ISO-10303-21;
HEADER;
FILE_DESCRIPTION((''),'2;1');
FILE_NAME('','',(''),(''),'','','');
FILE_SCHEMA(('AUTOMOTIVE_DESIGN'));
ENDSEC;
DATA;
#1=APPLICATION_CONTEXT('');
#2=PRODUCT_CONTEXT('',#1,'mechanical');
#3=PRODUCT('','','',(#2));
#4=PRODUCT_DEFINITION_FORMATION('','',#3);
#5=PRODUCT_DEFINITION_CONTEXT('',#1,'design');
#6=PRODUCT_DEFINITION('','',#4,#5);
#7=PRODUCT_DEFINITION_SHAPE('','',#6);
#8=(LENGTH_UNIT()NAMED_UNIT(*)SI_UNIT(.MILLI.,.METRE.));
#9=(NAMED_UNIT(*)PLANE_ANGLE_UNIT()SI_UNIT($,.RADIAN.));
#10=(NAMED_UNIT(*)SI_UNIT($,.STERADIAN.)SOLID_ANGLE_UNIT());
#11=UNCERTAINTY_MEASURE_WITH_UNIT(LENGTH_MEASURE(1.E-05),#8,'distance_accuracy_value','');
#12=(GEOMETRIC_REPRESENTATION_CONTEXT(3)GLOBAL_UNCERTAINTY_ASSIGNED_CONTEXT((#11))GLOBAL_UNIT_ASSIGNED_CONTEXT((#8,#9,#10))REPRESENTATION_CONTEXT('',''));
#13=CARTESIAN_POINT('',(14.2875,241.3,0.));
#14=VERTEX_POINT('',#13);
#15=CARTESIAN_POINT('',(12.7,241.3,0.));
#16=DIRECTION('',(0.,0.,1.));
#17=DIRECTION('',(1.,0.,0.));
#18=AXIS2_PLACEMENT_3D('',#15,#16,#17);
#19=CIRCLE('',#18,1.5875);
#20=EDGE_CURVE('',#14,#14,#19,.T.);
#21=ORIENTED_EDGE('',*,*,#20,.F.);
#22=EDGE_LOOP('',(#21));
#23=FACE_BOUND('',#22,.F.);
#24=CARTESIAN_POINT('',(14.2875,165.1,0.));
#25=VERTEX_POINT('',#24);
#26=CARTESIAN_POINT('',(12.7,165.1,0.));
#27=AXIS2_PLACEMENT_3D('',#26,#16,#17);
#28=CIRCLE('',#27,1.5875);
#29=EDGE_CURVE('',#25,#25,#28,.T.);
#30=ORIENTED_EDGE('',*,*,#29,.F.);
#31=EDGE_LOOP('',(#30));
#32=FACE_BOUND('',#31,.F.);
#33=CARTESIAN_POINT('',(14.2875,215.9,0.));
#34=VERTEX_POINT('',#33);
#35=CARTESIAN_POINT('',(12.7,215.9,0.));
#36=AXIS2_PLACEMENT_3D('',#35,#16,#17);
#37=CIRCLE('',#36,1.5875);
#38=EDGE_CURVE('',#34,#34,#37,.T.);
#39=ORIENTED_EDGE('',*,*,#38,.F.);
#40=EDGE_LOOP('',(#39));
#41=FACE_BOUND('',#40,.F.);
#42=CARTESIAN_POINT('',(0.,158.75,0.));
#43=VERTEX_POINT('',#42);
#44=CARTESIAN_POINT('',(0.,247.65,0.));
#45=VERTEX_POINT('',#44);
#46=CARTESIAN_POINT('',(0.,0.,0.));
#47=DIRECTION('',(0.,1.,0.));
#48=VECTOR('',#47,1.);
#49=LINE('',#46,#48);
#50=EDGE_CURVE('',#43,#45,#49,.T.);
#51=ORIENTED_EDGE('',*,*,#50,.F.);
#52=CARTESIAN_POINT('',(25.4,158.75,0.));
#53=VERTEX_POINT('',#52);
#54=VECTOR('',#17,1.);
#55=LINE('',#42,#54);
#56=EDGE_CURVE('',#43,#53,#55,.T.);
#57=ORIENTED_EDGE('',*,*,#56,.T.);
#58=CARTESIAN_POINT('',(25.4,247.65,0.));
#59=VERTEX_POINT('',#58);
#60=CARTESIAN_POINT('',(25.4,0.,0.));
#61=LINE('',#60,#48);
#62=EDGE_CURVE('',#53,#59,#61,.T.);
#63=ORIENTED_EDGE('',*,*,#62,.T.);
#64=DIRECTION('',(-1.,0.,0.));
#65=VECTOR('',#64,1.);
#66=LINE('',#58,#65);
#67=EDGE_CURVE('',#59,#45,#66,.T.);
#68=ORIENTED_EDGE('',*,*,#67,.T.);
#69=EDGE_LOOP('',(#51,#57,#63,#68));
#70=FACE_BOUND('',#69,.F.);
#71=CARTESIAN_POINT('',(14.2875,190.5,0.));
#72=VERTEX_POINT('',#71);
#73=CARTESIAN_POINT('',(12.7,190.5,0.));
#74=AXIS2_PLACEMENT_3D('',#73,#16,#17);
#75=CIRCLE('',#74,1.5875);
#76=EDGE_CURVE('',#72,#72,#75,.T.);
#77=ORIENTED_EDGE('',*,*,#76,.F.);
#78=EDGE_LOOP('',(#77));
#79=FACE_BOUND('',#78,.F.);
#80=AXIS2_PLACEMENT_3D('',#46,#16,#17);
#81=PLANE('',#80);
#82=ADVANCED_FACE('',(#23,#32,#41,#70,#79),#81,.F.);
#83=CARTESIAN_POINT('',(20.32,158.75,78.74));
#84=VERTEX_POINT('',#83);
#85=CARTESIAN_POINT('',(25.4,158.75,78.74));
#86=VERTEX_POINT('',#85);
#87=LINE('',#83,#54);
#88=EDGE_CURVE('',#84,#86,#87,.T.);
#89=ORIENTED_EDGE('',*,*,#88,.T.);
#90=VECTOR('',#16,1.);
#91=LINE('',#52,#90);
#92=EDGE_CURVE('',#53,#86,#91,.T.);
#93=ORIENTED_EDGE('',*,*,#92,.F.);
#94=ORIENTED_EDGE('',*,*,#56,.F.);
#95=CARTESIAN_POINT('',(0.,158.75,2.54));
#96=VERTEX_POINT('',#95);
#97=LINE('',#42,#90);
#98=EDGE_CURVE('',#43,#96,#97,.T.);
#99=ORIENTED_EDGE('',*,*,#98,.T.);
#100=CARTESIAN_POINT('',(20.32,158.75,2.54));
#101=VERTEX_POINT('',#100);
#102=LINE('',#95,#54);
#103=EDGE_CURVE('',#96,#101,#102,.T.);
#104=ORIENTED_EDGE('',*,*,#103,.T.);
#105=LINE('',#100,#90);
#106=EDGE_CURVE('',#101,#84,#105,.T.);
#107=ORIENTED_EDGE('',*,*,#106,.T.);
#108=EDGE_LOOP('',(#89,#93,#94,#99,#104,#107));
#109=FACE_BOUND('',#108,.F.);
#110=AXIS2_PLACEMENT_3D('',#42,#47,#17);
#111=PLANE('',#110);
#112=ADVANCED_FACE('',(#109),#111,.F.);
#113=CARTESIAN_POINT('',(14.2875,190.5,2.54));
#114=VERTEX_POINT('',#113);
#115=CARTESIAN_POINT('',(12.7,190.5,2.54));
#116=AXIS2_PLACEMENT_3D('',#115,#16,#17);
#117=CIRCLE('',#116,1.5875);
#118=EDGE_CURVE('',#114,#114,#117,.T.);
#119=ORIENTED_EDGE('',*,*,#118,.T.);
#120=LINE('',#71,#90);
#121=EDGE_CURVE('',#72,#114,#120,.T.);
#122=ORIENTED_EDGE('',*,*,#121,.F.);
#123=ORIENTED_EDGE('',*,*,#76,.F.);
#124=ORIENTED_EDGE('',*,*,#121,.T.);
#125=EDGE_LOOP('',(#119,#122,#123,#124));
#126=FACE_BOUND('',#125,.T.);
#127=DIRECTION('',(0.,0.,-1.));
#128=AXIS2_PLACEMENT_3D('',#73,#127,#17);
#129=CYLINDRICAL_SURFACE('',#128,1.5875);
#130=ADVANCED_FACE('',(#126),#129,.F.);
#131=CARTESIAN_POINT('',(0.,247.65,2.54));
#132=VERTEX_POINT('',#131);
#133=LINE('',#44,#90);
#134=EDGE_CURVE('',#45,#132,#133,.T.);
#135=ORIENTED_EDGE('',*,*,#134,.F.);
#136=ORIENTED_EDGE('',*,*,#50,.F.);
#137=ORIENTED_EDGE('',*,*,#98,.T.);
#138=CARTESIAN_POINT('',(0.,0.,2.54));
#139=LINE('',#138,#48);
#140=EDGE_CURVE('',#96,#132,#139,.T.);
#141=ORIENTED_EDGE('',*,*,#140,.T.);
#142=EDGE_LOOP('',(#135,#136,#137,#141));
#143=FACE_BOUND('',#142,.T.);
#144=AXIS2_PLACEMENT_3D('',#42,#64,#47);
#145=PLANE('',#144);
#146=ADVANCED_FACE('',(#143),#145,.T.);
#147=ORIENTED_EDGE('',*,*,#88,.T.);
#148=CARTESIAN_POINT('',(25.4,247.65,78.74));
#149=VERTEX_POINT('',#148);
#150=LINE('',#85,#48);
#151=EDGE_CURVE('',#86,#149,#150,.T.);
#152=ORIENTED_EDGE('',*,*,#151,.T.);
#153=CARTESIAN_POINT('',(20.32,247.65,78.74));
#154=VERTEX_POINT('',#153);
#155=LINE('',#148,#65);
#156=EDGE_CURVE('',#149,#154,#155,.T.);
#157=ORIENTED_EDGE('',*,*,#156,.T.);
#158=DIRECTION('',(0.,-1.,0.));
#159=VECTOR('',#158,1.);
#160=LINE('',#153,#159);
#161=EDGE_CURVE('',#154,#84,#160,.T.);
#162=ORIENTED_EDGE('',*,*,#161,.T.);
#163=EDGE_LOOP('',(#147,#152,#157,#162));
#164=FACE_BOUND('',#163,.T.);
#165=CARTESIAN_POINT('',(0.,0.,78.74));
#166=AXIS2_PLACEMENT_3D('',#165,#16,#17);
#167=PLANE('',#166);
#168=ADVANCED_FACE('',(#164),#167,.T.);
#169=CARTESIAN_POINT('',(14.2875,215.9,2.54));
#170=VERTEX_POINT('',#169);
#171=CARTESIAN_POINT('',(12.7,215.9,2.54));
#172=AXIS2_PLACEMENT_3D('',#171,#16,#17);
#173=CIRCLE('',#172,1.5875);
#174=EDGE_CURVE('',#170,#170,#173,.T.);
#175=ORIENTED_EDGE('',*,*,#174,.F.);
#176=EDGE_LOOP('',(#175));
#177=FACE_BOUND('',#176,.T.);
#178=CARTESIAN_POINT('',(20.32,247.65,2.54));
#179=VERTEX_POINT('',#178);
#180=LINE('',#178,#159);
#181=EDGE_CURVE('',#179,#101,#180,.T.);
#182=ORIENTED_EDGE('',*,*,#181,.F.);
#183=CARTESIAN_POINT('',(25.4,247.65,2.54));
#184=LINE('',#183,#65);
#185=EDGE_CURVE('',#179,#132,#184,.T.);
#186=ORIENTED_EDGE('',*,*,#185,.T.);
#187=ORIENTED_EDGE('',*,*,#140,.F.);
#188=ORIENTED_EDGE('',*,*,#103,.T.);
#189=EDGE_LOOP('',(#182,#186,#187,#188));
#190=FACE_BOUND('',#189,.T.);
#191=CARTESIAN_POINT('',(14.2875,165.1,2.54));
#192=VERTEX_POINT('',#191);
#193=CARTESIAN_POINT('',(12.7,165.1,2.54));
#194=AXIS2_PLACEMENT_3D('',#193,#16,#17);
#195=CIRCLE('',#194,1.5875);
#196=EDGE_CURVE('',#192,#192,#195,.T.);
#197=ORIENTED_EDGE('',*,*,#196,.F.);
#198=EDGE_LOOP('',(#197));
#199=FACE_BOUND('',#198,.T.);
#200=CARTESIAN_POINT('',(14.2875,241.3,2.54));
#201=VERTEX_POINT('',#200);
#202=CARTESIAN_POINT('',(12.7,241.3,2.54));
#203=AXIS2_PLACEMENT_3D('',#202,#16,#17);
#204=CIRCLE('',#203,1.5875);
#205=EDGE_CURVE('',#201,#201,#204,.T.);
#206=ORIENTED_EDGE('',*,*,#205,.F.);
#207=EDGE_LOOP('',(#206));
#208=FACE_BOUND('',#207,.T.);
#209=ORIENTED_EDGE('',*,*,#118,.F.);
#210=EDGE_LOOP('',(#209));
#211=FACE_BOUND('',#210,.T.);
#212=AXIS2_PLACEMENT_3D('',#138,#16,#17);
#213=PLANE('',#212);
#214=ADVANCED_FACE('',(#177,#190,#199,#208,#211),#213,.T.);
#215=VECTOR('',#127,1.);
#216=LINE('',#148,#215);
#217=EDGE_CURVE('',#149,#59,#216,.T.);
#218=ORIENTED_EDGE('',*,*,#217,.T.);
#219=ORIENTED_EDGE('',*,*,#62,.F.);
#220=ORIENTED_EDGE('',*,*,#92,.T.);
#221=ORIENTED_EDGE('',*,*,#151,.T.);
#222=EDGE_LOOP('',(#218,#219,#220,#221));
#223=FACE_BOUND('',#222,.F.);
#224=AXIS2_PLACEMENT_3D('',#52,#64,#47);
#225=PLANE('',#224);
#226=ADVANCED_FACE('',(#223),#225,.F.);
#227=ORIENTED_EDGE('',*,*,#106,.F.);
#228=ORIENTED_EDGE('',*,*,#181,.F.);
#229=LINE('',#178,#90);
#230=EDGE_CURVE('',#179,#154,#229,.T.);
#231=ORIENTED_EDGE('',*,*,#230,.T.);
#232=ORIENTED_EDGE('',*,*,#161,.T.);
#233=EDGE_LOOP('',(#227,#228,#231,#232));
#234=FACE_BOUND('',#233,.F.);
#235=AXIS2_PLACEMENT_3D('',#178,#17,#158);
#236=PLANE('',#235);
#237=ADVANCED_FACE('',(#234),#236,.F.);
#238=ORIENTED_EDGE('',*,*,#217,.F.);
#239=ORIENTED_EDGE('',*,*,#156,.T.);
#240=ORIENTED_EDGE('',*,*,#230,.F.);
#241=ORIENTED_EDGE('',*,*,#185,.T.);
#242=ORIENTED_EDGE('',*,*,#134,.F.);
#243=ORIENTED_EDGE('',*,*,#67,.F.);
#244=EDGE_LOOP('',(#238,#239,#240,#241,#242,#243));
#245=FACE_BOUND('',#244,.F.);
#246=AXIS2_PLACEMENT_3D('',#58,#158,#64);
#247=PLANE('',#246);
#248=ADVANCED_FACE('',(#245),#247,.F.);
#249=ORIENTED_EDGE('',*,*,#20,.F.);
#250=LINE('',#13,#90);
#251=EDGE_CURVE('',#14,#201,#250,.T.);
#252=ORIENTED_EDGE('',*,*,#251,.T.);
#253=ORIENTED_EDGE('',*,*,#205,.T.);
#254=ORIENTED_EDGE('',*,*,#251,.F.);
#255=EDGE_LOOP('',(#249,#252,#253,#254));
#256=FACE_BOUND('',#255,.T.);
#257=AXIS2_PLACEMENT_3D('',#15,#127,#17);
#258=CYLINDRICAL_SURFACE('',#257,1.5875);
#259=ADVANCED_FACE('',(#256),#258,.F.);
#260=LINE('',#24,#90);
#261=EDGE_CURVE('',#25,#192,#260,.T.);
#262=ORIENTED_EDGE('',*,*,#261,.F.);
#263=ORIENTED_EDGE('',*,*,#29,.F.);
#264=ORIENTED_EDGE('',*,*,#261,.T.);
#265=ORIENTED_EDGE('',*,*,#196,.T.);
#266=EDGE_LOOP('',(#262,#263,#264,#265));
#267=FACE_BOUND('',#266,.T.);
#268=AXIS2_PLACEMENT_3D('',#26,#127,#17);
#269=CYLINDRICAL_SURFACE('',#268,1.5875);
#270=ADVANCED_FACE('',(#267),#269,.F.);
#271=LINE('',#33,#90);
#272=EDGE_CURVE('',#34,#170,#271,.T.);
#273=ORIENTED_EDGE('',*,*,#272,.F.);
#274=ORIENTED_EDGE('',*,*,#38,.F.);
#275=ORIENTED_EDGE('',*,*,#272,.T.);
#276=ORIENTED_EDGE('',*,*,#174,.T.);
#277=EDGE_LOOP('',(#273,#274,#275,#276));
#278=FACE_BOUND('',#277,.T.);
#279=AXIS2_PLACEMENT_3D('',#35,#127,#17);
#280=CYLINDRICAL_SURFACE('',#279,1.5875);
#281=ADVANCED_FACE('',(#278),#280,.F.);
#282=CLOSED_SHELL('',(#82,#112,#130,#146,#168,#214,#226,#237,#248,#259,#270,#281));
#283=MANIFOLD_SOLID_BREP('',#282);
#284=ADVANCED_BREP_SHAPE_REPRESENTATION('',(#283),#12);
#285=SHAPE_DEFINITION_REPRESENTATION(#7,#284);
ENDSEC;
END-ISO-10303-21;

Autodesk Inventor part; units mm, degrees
ref_plane "YZ Plane" through (0, 0, 0) normal (1, 0, 0) x (0, 1, 0)
ref_plane "XZ Plane" through (0, 0, 0) normal (0, 1, 0) x (-1, 0, 0)
ref_plane "XY Plane" through (0, 0, 0) normal (0, 0, 1) x (1, 0, 0)
ref_plane "Work Plane2" through (0, 0, 0) normal (0, 0, 1) x (1, 0, 0)
sketch "Sketch2" plane through (0, 0, 0) normal (0, 0, 1) x (1, 0, 0)
  line L0 (0, 0) -> (0, 406.4) projected
  line L1 (25.4, 0) -> (25.4, 406.4) projected
  circle A0 centre (12.7, 165.1) radius 1.5875 projected
  circle A1 centre (12.7, 190.5) radius 1.5875 projected
  circle A2 centre (12.7, 215.9) radius 1.5875 projected
  circle A3 centre (12.7, 241.3) radius 1.5875 projected
  line L2 (0, 158.75) -> (25.4, 158.75)
  line L3 (25.4, 158.75) -> (25.4, 247.65)
  line L4 (25.4, 247.65) -> (0, 247.65)
  line L5 (0, 247.65) -> (0, 158.75)
  point P0 (0, 158.75)
  point P1 (25.4, 247.65)
  point P2 (25.4, 158.75)
  point P3 (0, 247.65)
  dimension "d2" = 0
  dimension "d3" = 0
  dimension "d4" = 0
  dimension "d0" = 6.35
  dimension "d1" = 6.35
extrude "Extrusion1" add sketch "Sketch2" along normal blind 2.54
sketch "Sketch3" plane through (0, 0, 2.54) normal (0, 0, 1) x (1, 0, 0)
  line L0 (25.4, 158.75) -> (25.4, 247.65) projected
  line L1 (25.4, 247.65) -> (20.32, 247.65)
  line L2 (20.32, 247.65) -> (20.32, 158.75)
  line L3 (20.32, 158.75) -> (25.4, 158.75)
  line L4 (25.4, 158.75) -> (25.4, 247.65)
  point P0 (0, 0)
  dimension "d8" = 5.08
  dimension "d9" = 88.9
extrude "Extrusion2" add sketch "Sketch3" along normal blind 76.2
properties part number "Front-Back Sensor Holds"
